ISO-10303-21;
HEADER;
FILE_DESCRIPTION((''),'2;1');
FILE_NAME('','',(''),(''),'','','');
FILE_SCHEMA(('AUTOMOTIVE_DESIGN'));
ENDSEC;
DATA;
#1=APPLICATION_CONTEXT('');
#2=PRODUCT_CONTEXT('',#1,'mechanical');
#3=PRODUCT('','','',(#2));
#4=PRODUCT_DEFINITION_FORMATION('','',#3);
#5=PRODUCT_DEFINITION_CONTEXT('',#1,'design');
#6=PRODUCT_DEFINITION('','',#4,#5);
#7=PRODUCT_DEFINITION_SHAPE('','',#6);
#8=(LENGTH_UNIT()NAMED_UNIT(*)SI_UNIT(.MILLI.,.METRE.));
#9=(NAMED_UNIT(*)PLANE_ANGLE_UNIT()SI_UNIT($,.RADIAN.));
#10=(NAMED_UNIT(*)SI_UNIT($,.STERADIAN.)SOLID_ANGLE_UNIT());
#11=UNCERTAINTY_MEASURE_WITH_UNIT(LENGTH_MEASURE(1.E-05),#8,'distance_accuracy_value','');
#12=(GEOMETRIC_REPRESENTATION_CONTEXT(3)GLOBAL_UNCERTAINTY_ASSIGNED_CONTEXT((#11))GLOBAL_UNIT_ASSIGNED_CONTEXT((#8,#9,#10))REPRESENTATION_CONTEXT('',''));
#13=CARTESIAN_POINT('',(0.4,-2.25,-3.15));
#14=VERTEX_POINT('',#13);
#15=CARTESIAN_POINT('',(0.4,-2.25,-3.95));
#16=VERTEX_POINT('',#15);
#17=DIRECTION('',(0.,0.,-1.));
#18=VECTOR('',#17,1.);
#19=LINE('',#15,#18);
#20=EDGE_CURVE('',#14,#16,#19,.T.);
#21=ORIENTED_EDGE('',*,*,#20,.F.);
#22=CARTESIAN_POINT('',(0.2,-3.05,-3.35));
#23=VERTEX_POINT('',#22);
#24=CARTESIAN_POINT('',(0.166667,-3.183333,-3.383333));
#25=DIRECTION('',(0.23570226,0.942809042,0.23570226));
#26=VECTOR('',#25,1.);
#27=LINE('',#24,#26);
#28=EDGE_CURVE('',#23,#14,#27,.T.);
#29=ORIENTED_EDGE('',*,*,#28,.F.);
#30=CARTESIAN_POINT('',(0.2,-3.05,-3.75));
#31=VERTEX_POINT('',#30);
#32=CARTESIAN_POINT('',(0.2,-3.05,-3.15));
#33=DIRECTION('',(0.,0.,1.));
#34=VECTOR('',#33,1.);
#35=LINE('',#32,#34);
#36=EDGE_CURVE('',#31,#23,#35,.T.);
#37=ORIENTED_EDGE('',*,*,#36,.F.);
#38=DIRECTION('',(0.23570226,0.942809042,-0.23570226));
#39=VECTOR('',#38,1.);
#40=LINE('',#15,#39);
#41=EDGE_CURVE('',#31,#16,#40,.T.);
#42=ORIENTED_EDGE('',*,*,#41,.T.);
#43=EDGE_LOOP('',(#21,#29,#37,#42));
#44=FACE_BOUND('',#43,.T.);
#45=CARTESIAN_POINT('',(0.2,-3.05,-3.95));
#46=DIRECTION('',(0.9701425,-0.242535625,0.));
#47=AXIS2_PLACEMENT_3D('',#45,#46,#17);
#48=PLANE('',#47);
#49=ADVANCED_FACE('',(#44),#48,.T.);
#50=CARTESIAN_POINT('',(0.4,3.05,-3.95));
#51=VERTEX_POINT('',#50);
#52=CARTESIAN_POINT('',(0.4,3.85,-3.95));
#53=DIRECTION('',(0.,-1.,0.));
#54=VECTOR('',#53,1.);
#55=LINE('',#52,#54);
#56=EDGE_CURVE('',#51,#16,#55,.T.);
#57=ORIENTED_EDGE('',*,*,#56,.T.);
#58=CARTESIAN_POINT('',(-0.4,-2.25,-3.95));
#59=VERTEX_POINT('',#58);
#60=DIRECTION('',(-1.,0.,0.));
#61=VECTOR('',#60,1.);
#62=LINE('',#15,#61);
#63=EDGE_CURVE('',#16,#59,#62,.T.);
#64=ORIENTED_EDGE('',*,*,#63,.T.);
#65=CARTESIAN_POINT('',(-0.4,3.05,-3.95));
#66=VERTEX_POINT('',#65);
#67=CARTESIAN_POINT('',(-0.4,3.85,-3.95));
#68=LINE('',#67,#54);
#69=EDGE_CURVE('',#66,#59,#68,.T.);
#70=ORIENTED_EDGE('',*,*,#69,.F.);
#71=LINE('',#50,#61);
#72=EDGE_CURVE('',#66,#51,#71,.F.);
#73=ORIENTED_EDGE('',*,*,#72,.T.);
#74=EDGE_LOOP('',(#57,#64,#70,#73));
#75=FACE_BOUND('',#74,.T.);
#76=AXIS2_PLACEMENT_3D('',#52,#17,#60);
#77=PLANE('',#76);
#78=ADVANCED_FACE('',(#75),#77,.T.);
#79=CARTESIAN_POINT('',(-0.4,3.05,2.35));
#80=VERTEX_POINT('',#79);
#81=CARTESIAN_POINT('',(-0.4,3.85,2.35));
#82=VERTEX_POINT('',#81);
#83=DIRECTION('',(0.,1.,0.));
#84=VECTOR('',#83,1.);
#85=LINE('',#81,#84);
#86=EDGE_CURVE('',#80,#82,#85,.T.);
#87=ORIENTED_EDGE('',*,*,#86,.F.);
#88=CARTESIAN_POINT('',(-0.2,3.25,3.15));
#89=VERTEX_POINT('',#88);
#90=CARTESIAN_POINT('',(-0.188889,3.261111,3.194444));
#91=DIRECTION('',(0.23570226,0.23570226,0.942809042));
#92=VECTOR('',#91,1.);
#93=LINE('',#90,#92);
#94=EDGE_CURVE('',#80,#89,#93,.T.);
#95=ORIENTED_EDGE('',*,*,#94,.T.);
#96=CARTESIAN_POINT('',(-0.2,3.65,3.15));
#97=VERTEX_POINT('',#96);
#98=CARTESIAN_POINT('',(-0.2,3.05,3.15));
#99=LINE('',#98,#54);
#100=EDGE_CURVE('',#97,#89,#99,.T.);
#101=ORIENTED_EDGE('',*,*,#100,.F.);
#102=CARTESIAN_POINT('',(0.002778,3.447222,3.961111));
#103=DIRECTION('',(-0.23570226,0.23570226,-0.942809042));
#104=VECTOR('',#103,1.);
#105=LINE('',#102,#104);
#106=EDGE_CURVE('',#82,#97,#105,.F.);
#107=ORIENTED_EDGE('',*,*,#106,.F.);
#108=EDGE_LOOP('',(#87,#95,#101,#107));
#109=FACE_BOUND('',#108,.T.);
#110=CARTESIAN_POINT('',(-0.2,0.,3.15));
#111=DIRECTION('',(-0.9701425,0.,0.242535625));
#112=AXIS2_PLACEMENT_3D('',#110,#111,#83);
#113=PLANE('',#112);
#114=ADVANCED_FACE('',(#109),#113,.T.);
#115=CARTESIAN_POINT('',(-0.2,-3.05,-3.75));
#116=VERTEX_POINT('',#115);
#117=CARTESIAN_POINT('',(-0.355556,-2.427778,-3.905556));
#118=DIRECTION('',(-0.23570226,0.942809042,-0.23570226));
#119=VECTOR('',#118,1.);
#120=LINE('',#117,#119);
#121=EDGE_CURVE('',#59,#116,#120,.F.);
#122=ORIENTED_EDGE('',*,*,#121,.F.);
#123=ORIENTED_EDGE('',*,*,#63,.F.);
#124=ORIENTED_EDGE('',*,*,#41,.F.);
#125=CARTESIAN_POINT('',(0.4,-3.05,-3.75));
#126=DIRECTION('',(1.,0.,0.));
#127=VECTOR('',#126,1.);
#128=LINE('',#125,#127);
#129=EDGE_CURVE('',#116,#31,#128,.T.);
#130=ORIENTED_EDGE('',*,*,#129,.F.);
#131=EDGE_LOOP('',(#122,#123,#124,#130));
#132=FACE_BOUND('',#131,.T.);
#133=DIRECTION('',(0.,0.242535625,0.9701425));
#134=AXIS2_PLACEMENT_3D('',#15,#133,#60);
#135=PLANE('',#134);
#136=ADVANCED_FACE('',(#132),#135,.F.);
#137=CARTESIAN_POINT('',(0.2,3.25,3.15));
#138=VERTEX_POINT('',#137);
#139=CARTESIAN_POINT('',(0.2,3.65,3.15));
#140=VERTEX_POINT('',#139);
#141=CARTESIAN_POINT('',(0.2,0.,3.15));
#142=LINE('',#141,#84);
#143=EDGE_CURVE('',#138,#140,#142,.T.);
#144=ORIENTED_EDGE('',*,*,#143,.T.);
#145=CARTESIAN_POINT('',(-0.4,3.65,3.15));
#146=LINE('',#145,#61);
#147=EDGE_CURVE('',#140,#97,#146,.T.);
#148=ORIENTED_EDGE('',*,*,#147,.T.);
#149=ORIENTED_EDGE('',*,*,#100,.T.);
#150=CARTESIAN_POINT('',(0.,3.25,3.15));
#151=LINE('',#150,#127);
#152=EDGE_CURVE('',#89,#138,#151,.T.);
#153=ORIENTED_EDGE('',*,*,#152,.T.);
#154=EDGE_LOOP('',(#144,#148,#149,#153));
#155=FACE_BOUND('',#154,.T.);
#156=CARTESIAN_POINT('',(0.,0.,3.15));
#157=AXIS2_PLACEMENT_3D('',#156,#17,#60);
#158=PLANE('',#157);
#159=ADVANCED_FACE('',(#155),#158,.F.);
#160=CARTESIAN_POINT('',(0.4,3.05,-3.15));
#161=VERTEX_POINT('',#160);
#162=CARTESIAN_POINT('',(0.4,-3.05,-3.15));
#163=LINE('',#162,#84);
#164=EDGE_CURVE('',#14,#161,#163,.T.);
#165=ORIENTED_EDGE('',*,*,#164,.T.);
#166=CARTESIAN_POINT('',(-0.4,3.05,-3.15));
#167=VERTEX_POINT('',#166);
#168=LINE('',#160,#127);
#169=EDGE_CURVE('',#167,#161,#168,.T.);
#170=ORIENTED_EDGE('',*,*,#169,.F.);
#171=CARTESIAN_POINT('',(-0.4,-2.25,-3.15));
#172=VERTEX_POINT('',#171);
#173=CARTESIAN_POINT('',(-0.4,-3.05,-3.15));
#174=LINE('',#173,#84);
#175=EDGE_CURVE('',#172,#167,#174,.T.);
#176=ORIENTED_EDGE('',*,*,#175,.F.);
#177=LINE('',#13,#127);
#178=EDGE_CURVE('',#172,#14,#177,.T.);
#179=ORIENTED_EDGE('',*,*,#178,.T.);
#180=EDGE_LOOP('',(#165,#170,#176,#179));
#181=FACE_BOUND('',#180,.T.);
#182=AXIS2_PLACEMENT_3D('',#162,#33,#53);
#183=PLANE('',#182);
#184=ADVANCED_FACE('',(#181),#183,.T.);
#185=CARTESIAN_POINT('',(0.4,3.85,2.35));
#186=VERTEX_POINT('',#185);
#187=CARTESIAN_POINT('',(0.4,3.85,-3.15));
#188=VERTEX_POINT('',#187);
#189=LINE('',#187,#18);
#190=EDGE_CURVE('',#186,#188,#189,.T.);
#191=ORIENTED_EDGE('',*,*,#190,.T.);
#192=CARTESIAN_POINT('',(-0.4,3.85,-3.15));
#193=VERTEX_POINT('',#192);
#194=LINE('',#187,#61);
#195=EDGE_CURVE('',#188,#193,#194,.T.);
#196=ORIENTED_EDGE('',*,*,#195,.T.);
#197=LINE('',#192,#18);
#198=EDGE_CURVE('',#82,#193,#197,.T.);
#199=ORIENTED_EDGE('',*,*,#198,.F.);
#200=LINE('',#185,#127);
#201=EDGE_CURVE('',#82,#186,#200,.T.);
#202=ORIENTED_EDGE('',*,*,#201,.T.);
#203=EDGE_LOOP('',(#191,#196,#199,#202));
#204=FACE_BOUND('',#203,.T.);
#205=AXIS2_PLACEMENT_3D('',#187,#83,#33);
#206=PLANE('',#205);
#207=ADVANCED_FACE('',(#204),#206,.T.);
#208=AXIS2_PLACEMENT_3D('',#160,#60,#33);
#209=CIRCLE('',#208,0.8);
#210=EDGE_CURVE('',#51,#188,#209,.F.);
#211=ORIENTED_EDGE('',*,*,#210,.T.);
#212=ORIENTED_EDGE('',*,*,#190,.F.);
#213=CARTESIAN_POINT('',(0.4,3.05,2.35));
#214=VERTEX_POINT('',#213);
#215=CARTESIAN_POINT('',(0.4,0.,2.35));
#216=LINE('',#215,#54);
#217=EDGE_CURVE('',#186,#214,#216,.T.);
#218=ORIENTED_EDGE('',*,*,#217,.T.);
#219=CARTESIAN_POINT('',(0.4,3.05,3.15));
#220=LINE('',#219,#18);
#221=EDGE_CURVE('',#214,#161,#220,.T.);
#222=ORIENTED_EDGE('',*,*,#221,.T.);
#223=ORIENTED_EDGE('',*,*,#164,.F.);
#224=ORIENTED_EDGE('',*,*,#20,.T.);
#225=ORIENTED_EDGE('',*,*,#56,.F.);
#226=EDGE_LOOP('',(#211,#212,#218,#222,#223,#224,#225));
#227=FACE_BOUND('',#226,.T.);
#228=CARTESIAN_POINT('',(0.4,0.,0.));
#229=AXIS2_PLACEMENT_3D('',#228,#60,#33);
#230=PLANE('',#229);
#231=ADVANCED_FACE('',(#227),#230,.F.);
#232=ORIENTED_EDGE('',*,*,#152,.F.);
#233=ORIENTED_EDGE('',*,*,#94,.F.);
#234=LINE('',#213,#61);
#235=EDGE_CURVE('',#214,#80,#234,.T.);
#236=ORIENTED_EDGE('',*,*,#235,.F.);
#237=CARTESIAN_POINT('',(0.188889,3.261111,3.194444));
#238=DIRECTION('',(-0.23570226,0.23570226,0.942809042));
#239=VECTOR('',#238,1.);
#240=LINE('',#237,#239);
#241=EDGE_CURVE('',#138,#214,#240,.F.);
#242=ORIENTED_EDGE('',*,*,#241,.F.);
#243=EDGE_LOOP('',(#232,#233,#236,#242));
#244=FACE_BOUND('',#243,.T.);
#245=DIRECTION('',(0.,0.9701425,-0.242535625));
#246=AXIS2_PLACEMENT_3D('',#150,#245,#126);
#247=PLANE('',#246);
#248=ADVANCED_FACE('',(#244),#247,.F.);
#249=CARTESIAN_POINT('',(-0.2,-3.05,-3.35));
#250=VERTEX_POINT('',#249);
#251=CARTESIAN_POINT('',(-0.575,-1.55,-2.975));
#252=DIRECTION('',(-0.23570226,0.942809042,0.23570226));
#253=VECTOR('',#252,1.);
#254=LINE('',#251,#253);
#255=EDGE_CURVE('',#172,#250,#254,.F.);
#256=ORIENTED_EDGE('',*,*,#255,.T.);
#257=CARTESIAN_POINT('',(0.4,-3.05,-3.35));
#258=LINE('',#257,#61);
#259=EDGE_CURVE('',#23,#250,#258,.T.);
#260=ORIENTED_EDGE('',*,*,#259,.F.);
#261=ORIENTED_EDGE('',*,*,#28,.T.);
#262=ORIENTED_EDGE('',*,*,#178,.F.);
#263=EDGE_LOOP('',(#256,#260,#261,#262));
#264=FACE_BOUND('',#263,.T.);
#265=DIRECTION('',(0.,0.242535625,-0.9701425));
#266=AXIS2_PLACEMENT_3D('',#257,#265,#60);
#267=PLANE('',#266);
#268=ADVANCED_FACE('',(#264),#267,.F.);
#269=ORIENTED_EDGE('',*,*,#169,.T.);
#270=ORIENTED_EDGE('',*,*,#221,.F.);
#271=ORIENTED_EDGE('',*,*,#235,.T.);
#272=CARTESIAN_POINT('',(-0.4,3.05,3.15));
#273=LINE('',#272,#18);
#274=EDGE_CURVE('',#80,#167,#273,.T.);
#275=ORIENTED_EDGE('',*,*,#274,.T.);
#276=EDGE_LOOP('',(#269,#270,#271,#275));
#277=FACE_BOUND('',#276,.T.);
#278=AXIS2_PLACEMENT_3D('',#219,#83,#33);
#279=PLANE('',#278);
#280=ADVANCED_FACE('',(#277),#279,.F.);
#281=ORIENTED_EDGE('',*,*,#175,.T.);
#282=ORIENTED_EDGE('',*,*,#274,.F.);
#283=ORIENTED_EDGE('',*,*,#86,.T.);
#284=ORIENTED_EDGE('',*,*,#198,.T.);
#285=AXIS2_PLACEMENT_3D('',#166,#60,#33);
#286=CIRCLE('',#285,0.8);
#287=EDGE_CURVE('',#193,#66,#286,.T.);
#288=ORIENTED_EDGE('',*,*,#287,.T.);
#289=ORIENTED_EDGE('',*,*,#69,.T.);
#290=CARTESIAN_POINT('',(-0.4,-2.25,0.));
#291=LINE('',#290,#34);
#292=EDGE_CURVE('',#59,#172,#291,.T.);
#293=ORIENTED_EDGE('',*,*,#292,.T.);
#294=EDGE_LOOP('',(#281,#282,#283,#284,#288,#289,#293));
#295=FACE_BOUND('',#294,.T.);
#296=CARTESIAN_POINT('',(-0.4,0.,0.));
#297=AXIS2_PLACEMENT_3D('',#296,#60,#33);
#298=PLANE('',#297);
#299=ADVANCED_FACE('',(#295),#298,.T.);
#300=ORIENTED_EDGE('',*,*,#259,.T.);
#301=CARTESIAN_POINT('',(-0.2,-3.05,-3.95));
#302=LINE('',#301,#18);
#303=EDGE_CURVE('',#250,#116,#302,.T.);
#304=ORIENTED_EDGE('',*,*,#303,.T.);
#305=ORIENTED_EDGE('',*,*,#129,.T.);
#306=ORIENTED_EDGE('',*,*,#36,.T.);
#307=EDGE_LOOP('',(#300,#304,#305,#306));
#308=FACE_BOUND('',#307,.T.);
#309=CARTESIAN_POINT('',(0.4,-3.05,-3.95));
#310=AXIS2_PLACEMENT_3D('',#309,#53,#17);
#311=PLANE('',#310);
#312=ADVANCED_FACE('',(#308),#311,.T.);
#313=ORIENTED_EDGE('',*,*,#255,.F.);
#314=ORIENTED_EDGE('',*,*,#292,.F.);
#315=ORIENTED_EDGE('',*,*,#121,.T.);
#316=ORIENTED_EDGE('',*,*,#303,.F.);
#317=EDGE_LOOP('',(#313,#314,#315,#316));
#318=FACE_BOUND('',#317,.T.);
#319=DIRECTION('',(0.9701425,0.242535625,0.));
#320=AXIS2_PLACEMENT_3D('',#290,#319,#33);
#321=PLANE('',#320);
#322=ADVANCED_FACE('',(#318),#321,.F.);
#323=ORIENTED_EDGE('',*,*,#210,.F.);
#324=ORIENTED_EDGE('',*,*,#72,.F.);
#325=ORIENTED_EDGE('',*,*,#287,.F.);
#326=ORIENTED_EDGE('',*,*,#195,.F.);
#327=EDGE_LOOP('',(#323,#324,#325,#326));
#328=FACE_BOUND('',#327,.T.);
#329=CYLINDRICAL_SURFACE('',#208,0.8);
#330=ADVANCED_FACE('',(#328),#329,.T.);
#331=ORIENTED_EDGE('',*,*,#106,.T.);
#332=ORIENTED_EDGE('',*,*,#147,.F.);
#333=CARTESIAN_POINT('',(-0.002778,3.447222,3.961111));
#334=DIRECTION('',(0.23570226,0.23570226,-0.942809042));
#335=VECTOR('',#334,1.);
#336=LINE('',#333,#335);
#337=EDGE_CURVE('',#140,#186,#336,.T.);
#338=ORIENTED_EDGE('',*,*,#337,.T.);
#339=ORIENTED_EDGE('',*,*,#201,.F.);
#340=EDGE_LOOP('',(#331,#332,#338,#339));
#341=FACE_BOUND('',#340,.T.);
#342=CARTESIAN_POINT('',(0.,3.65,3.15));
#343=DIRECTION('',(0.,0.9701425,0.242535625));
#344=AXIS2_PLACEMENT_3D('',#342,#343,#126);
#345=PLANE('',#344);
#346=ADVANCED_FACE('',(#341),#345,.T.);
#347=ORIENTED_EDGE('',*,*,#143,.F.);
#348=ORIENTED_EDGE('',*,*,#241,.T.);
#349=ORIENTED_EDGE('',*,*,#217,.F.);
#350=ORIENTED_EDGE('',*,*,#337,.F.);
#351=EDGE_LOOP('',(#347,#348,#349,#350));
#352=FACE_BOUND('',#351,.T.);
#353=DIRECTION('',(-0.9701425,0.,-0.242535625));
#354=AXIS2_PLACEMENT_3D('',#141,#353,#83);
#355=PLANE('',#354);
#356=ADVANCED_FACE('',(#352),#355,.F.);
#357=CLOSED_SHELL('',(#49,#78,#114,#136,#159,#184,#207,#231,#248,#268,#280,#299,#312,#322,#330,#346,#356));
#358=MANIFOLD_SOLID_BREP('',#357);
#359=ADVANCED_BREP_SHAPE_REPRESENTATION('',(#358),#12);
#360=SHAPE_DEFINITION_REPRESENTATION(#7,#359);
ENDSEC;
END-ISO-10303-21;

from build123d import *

# Parameters (mm, degrees)
SKETCH_1_W      = 6.9
SKETCH_1_H      = 0.8
EXTRUDE_1_DEPTH = 0.8
SKETCH_2_W      = 0.8
SKETCH_2_H      = 0.8
EXTRUDE_2_DEPTH = 6.3
CHAMFER_1_SIZE  = 0.2
CHAMFER_1_SIZE2 = 0.8
CHAMFER_2_SIZE  = 0.2
CHAMFER_2_SIZE2 = 0.8
FILLET_1_R      = 0.8


with BuildPart() as part:
    # Эскиз1 → Бобышка-Вытянуть1 (new body)
    with BuildSketch(Plane(origin=(-0.4, 0, 0), x_dir=(0, -1, 0), z_dir=(-1, 0, 0))):
        with Locations((-0.4, -3.55)):
            Rectangle(SKETCH_1_W, SKETCH_1_H)
    extrude(amount=-EXTRUDE_1_DEPTH)

    # Эскиз2 → Бобышка-Вытянуть2 (add)
    with BuildSketch(Plane.XY.offset(-3.15)):
        with Locations((0, 3.45)):
            Rectangle(SKETCH_2_W, SKETCH_2_H)
    extrude(amount=EXTRUDE_2_DEPTH)

    # Фаска1
    chamfer_1_edges = [part.edges().sort_by_distance(p)[0] for p in [
        (0, -3.05, -3.15),
        (0.4, -3.05, -3.55),
        (-0.4, -3.05, -3.55),
        (0, -3.05, -3.95),
    ]]
    chamfer_1_side = [part.faces().sort_by_distance(p)[0] for p in [
        (0, -3.05, -3.55),
    ]]
    chamfer(chamfer_1_edges, length=CHAMFER_1_SIZE, length2=CHAMFER_1_SIZE2, reference=chamfer_1_side[0])

    # Фаска2
    chamfer_2_edges = [part.edges().sort_by_distance(p)[0] for p in [
        (0, 3.85, 3.15),
        (0.4, 3.45, 3.15),
        (-0.4, 3.45, 3.15),
        (0, 3.05, 3.15),
    ]]
    chamfer_2_side = [part.faces().sort_by_distance(p)[0] for p in [
        (0, 3.45, 3.15),
    ]]
    chamfer(chamfer_2_edges, length=CHAMFER_2_SIZE, length2=CHAMFER_2_SIZE2, reference=chamfer_2_side[0])

    # Скругление1
    fillet_1_edges = [part.edges().sort_by_distance(p)[0] for p in [
        (0, 3.85, -3.95),
    ]]
    fillet(fillet_1_edges, radius=FILLET_1_R)


solid = part.part
